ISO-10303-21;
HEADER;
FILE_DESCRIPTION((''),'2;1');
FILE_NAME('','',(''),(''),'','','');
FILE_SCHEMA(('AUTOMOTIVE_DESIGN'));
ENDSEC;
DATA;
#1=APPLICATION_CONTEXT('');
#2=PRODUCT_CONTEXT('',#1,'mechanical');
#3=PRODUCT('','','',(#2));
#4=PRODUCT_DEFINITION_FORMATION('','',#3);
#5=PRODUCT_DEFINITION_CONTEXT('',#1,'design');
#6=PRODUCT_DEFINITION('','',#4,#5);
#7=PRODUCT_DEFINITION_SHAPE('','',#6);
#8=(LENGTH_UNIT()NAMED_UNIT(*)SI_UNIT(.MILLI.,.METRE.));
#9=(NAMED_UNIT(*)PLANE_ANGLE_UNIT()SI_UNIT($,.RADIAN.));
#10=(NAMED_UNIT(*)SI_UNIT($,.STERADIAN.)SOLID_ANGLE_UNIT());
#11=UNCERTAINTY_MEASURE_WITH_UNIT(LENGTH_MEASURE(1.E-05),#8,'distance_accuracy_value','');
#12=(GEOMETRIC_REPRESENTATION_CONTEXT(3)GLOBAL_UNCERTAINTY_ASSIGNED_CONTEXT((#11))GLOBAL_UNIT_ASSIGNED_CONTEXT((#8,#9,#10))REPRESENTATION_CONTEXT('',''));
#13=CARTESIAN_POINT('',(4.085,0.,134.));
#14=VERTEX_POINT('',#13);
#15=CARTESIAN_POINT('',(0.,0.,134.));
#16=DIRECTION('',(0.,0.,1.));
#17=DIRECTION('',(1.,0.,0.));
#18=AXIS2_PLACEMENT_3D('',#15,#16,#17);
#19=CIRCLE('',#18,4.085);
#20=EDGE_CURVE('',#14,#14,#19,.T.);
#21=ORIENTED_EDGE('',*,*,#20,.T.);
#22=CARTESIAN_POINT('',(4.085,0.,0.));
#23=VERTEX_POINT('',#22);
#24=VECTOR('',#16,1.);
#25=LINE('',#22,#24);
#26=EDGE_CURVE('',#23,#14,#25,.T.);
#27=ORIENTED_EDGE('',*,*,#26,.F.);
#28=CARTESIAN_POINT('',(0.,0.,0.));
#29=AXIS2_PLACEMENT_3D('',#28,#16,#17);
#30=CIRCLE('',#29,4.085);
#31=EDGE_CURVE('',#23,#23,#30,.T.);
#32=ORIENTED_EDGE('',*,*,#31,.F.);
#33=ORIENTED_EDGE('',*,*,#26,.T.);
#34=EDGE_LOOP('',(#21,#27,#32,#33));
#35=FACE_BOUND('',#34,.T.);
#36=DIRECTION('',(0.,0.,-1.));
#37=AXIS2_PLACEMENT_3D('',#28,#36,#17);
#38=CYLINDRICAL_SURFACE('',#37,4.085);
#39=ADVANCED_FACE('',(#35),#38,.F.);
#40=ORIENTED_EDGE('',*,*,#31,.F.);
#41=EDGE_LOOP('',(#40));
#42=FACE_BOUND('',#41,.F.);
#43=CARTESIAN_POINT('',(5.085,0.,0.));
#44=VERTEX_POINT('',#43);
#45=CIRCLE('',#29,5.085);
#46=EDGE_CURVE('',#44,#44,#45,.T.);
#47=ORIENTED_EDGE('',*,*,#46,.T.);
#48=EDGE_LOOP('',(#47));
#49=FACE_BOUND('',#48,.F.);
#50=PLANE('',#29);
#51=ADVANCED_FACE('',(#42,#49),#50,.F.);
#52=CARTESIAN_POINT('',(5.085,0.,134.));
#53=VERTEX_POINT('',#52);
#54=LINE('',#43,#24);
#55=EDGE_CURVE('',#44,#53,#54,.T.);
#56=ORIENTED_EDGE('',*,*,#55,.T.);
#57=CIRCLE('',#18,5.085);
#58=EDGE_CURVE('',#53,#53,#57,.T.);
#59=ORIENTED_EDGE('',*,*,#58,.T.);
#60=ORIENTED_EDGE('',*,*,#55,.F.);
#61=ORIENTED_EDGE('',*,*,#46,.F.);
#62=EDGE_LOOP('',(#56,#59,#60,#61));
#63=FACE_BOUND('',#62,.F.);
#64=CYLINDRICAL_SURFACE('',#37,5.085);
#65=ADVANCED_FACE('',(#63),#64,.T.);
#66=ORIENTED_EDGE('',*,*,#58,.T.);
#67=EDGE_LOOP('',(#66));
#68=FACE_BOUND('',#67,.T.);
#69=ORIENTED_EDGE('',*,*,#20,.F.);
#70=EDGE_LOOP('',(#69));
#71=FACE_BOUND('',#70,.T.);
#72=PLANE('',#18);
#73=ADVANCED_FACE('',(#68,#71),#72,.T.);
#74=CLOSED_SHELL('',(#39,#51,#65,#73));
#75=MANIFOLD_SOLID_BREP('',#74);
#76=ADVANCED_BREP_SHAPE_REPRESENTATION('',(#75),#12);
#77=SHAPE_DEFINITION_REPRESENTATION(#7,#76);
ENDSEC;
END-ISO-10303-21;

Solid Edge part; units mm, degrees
sketch "Sketch1" plane through (0, 0, 0) normal (0, 0, 1) x (1, 0, 0)
  circle A0 centre (0, 0) radius 5.085
  circle A1 centre (0, 0) radius 4.085
extrude "Protrusion1" add sketch "Sketch1" along normal blind 134
